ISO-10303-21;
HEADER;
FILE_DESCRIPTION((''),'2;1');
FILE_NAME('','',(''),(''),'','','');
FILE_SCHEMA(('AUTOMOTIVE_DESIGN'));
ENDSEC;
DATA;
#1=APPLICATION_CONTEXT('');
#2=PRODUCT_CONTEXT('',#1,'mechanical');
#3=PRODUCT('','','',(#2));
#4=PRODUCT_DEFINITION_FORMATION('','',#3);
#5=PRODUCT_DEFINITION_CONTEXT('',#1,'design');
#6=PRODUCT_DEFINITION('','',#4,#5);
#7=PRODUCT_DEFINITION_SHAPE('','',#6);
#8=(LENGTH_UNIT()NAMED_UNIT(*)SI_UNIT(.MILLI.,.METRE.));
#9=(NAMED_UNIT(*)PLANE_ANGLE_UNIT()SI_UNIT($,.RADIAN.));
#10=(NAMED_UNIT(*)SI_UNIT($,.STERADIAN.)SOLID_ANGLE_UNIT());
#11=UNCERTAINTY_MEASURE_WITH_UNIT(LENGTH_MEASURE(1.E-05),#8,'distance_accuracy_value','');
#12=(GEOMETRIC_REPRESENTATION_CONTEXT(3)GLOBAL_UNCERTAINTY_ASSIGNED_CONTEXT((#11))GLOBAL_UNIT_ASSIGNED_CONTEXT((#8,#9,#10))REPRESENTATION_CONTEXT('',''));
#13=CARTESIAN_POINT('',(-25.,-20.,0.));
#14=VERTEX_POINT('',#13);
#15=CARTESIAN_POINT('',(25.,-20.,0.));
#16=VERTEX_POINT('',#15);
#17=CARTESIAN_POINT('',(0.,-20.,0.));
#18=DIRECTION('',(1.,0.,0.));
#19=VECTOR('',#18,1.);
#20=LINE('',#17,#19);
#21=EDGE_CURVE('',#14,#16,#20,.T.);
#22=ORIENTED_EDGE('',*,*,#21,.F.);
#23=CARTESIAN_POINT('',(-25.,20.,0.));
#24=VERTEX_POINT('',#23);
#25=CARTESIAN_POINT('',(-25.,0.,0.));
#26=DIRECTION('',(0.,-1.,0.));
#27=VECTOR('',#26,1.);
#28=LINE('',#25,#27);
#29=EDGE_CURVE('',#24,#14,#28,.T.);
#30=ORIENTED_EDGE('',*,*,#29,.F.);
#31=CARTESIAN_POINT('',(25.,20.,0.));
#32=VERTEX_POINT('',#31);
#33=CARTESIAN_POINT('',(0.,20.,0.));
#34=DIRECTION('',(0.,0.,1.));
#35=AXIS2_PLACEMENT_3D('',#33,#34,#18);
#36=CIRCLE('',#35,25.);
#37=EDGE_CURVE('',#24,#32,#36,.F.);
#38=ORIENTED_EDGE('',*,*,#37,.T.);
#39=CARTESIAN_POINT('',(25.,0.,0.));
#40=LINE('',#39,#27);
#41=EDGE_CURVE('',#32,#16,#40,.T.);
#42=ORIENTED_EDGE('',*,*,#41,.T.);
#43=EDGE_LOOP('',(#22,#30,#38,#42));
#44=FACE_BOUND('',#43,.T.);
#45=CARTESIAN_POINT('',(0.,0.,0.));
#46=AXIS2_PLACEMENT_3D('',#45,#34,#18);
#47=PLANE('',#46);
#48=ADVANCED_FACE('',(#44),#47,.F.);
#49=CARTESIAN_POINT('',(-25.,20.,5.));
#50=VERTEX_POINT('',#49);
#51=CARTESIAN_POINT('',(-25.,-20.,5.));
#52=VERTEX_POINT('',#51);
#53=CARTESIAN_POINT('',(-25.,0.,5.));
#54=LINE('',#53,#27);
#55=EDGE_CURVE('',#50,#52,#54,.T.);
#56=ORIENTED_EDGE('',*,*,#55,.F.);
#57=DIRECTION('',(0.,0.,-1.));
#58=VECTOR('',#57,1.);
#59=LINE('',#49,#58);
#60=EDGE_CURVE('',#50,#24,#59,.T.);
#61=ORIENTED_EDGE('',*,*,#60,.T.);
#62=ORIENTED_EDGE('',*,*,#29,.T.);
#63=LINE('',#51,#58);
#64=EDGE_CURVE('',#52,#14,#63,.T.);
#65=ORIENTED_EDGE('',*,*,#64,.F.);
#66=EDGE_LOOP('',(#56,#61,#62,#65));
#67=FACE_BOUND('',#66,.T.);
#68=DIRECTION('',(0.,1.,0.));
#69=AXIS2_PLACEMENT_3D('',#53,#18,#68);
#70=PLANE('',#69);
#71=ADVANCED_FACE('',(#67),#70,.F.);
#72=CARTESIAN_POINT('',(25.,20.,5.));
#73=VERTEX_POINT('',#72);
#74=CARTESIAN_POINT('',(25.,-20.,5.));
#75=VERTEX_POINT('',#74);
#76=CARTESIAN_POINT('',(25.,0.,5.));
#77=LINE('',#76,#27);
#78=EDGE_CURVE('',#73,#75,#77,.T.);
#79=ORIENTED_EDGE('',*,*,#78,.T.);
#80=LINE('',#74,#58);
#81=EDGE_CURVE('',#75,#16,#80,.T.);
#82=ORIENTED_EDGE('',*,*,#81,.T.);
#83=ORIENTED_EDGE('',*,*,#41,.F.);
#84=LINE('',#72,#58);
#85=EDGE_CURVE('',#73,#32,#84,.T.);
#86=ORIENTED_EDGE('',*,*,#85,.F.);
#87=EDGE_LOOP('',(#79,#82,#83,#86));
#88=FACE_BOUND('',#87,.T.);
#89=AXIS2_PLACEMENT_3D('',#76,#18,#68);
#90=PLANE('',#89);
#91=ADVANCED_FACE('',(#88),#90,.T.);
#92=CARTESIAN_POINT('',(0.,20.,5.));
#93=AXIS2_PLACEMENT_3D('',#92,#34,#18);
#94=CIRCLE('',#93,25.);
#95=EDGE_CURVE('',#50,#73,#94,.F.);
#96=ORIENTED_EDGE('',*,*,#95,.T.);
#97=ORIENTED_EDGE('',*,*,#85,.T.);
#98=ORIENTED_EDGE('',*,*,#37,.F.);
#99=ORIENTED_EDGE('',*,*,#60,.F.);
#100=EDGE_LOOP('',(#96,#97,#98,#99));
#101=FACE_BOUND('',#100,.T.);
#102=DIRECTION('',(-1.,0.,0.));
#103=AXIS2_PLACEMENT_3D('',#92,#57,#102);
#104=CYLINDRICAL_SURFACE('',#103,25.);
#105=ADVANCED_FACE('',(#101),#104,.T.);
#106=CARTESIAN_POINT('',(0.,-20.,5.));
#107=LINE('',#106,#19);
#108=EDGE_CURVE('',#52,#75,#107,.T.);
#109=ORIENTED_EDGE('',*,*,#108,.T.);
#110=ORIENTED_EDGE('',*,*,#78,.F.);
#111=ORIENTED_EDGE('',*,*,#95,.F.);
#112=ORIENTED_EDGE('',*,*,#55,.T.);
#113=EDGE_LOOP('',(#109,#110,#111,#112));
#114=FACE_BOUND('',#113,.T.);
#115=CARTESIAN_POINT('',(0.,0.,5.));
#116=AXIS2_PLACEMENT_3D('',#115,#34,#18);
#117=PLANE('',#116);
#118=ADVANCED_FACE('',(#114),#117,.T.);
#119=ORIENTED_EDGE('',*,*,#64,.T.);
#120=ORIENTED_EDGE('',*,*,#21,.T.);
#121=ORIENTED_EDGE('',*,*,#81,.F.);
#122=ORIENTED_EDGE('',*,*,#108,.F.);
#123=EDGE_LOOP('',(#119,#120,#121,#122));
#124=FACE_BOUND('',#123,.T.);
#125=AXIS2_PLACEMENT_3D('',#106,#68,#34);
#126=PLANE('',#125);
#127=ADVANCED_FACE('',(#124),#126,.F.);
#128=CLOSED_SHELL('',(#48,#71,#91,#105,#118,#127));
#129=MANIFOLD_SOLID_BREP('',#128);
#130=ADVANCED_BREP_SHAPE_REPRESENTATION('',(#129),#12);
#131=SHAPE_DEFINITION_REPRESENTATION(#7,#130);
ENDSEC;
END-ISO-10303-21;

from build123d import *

# Parameters (mm, degrees)
BOSS_EXTRU_1_DEPTH = 5


with BuildPart() as part:
    # Esquisse1 → Boss.-Extru.1 (new body)
    with BuildSketch(Plane.XY):
        with BuildLine():
            ThreePointArc((25, 20), (0, 45), (-25, 20))
            Line((-25, 20), (-25, -20))
            Line((-25, -20), (25, -20))
            Line((25, -20), (25, 20))
        make_face()
    extrude(amount=BOSS_EXTRU_1_DEPTH)


solid = part.part
